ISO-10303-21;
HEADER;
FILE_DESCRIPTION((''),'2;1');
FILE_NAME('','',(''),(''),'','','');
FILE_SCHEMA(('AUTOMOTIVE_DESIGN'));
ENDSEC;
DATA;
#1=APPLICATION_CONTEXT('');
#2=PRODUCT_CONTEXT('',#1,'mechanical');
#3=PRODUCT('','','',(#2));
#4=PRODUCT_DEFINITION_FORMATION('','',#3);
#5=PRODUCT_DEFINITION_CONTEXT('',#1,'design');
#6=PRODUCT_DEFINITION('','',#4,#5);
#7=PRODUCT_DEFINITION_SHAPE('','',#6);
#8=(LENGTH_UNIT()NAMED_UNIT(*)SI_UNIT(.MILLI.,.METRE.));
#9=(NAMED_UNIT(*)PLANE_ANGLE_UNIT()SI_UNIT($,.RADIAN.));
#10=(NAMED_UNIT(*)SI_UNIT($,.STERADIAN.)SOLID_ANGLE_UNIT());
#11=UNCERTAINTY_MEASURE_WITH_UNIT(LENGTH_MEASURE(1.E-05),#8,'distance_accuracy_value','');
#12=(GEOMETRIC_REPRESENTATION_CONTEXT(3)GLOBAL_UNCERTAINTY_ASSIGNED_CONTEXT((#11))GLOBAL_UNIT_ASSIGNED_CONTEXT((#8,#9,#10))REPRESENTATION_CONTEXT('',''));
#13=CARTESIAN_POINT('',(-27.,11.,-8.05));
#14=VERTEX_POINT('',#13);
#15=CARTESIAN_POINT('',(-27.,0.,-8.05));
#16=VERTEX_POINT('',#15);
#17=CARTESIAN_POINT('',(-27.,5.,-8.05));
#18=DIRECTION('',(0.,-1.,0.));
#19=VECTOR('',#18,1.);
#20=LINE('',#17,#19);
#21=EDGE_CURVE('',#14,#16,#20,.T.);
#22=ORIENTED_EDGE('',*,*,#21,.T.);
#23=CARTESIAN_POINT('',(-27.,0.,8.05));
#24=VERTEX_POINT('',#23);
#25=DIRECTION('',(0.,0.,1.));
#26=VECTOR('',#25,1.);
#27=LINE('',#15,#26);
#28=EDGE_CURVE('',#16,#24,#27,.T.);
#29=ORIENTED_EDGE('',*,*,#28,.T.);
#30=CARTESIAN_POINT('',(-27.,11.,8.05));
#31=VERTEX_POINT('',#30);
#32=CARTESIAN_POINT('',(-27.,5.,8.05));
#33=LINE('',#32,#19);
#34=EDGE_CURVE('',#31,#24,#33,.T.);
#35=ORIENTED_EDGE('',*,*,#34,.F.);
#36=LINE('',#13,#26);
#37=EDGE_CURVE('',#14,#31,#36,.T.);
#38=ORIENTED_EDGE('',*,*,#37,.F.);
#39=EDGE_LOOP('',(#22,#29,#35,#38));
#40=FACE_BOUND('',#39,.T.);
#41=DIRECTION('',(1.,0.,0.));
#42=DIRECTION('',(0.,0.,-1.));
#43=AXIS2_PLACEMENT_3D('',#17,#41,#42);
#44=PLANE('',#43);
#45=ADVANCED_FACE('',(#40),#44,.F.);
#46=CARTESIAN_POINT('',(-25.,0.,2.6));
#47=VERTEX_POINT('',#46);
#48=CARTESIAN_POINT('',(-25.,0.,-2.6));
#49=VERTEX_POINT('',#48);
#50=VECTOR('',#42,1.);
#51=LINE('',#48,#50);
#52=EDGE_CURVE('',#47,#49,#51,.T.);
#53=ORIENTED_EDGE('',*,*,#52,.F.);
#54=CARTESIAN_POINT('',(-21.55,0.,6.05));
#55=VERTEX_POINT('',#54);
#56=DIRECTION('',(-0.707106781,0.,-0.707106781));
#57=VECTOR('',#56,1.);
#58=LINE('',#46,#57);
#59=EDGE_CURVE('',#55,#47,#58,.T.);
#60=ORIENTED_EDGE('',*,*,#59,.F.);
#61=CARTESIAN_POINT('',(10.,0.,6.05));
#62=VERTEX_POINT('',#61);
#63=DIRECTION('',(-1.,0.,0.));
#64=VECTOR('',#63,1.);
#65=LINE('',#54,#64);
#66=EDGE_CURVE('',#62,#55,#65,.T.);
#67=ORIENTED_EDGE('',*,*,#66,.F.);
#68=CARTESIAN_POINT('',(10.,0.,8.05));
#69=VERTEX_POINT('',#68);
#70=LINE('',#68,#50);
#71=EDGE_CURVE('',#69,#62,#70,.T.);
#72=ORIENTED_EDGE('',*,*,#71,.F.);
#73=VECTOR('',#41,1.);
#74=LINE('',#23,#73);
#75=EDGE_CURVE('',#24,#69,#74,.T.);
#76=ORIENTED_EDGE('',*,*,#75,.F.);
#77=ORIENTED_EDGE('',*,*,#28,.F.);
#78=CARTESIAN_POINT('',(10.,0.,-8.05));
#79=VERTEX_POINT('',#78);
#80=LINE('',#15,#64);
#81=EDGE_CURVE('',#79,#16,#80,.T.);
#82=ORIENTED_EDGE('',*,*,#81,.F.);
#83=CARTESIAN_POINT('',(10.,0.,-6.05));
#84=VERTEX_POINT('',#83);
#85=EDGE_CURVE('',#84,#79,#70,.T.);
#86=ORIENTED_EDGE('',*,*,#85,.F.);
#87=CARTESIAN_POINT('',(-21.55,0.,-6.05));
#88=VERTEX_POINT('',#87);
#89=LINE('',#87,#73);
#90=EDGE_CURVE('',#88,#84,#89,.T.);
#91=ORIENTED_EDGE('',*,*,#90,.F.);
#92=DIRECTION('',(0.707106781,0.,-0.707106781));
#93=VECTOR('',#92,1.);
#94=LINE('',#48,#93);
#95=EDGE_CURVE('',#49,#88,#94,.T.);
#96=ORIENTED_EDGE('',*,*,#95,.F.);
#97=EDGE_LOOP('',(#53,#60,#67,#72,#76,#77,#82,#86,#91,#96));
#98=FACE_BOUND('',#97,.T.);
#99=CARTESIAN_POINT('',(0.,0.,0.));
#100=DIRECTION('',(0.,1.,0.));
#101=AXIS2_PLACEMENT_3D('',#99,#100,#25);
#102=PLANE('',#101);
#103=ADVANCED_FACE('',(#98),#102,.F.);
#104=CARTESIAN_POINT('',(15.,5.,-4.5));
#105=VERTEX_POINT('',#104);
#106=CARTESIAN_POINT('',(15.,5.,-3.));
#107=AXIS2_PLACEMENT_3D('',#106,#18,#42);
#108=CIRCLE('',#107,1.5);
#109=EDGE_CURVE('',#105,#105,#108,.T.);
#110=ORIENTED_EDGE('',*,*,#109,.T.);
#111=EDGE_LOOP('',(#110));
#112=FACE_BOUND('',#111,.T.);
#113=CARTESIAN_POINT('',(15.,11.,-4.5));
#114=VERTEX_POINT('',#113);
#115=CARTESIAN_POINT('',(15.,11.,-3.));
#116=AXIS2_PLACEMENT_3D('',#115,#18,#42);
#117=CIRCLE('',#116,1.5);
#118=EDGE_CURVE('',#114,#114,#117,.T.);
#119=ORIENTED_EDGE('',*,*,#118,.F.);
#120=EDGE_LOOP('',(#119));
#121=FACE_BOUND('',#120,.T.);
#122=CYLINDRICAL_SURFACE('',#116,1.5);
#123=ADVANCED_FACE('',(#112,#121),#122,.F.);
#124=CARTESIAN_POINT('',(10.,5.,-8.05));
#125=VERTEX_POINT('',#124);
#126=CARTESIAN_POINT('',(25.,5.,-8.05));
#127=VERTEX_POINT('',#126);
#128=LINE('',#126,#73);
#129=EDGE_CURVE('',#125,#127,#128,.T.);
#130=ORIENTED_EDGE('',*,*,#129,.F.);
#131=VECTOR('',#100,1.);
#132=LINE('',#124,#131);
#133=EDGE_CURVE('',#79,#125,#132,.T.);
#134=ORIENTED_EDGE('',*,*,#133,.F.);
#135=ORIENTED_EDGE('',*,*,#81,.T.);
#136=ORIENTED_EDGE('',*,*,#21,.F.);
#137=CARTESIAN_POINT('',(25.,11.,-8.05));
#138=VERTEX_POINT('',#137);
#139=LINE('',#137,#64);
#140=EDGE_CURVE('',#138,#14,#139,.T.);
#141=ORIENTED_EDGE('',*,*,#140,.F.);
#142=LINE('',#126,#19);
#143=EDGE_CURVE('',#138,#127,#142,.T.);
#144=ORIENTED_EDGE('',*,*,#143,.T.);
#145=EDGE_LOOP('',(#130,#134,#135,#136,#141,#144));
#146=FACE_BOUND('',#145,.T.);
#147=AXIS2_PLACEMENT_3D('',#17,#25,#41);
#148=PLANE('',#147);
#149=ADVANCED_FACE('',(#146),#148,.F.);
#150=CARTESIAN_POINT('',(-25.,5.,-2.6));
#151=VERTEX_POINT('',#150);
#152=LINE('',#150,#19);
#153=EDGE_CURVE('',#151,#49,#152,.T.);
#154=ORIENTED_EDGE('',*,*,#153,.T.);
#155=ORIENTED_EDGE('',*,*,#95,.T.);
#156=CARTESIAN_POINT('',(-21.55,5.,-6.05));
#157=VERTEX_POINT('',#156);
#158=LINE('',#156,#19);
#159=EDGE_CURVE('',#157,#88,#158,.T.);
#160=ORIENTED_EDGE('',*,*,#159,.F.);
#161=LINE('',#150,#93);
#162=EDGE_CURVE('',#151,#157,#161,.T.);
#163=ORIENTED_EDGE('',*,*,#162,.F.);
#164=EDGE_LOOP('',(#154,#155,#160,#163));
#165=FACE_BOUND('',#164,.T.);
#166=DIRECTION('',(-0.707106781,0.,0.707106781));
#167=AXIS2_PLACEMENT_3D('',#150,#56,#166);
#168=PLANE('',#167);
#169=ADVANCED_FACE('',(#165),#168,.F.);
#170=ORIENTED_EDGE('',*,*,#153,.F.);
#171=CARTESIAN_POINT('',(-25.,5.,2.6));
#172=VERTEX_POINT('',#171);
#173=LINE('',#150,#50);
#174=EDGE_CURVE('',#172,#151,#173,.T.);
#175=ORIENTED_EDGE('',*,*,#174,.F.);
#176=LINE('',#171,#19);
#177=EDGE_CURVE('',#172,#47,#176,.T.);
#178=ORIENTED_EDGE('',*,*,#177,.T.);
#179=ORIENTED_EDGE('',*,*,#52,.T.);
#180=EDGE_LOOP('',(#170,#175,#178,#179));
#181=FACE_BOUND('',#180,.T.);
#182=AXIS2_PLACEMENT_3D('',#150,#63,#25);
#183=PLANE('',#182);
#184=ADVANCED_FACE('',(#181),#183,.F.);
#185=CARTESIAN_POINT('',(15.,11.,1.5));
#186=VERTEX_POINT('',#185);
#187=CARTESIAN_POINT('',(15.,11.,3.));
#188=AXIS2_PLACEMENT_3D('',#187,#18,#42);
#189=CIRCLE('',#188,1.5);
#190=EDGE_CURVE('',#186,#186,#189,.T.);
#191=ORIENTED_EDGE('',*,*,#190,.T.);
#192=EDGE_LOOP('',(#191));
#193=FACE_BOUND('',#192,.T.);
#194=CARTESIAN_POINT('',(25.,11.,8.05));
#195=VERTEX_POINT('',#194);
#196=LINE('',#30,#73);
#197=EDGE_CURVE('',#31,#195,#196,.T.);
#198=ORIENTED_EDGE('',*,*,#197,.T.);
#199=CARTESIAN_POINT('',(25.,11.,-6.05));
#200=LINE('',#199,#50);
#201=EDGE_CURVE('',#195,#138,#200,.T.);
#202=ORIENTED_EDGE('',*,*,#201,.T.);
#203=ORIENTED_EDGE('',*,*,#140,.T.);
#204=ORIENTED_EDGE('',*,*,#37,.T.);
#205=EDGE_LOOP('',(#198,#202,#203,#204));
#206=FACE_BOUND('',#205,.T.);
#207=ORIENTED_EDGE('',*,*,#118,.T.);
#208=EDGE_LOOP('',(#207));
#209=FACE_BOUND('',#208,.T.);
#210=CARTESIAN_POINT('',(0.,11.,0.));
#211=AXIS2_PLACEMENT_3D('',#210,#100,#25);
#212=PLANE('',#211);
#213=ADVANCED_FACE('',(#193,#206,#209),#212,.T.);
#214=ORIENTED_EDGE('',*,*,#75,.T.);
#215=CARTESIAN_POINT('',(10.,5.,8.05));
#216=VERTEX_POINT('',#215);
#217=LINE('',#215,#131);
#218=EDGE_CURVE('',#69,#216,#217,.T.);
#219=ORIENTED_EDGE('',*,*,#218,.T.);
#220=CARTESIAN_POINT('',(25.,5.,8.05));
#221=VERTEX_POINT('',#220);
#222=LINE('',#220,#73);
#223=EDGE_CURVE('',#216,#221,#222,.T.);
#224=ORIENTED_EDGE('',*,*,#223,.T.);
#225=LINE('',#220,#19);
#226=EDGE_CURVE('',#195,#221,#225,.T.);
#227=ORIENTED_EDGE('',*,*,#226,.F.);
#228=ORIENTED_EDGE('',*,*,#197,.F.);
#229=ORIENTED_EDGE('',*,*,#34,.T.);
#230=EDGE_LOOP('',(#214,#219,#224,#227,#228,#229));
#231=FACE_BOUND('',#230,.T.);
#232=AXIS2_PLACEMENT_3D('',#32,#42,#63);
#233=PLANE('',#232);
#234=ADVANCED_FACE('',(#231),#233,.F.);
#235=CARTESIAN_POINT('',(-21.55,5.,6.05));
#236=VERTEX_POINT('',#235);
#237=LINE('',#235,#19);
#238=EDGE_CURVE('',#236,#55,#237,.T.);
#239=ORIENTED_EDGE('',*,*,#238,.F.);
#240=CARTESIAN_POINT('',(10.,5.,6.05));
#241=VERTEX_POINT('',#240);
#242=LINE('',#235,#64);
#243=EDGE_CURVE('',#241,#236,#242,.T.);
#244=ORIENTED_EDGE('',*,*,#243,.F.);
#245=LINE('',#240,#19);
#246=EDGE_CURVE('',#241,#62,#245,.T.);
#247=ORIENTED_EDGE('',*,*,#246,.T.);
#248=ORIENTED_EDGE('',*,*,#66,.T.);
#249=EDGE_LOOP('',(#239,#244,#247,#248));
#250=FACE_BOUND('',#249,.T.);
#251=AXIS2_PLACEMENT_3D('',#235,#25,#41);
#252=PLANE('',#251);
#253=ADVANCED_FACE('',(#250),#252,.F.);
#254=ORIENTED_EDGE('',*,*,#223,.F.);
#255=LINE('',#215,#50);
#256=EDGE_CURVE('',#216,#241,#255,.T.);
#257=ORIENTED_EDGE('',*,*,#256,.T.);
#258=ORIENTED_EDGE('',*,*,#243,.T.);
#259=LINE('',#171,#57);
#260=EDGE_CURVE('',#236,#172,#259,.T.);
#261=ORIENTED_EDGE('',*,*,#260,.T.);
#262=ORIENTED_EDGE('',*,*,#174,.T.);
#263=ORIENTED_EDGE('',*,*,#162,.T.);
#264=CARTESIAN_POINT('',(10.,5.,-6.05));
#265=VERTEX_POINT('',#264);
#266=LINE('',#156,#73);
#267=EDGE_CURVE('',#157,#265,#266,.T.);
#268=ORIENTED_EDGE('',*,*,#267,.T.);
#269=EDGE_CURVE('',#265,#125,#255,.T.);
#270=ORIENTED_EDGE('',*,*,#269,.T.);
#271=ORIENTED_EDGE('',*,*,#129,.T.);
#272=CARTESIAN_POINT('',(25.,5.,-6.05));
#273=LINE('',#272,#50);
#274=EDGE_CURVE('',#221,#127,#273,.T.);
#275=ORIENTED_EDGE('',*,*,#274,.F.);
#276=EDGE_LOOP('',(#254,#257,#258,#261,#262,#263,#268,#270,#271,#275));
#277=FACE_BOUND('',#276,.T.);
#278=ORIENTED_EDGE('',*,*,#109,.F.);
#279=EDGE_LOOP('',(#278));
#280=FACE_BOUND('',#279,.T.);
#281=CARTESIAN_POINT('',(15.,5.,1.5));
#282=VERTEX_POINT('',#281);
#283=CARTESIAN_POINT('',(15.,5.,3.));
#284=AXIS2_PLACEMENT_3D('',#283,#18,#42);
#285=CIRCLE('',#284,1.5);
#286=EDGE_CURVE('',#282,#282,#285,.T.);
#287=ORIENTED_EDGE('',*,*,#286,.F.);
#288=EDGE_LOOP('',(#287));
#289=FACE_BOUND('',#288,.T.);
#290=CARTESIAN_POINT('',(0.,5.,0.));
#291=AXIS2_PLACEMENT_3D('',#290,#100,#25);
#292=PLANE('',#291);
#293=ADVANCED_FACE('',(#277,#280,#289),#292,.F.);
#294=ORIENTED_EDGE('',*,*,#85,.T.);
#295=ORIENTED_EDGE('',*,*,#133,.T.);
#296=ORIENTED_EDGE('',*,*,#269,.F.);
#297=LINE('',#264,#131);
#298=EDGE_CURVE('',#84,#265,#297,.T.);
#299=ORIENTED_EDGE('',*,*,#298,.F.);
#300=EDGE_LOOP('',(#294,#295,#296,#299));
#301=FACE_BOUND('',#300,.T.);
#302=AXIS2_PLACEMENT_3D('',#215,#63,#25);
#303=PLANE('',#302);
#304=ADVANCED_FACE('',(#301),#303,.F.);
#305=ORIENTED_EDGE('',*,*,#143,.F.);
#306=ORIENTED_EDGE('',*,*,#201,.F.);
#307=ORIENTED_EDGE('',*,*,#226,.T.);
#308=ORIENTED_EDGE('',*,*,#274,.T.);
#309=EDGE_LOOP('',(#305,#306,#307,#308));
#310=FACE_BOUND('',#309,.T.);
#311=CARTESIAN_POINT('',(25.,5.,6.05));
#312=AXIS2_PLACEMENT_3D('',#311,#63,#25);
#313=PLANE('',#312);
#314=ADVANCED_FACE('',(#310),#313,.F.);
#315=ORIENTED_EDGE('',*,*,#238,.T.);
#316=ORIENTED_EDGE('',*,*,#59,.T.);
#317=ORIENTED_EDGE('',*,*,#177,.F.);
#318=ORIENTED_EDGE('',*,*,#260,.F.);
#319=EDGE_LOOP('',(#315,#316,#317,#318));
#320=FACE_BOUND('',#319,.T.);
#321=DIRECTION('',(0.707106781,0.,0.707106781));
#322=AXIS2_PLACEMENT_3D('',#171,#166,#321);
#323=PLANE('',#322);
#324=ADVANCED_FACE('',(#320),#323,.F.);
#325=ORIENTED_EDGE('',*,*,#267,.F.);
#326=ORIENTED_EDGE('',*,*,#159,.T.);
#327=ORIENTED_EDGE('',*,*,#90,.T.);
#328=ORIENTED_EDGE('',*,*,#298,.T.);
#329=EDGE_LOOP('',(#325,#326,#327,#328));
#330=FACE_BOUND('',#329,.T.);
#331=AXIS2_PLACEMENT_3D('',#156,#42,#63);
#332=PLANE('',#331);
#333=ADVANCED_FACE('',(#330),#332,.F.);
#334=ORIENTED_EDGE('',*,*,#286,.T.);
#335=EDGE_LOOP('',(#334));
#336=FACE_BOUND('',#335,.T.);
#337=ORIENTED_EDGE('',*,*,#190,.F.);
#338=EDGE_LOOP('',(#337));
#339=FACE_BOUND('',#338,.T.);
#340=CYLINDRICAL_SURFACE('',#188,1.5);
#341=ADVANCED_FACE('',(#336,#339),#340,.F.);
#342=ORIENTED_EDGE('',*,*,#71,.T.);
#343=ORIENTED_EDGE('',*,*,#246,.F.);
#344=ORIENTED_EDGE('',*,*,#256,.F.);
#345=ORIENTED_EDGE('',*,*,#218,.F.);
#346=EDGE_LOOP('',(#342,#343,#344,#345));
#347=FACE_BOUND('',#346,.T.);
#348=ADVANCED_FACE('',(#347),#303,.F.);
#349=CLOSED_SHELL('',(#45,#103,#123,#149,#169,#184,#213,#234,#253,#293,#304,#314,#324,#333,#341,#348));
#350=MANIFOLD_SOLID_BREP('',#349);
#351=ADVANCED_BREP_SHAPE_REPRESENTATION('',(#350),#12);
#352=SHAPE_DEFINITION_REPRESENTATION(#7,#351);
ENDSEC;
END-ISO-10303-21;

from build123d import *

# Parameters (mm, degrees)
BOSS_EXTRUDE1_DEPTH     = 5
BOSS_EXTRUDE2_DEPTH     = 6
SKETCH4_R               = 1.5
CUT_EXTRUDE1_DEPTH      = 29.806292715
CUT_EXTRUDE2_DEPTH      = 33.385336188
CUT_EXTRUDE2_DEPTH_BACK = 33.385336188
SKETCH5_W               = 15
SKETCH5_H               = 5


with BuildPart() as part:
    # Sketch2 → Boss-Extrude1 (new body)
    with BuildSketch(Plane(origin=(0, 0, 0), x_dir=(1, 0, 0), z_dir=(0, 1, 0))):
        Polygon((-27, 8.05), (25, 8.05), (25, 6.05), (-21.55, 6.05), (-25, 2.6), (-25, -2.6), (-21.55, -6.05), (25, -6.05), (25, -8.05), (-27, -8.05), align=None)
    extrude(amount=BOSS_EXTRUDE1_DEPTH)

    # Sketch3 → Boss-Extrude2 (add)
    with BuildSketch(Plane(origin=(0, 5, 0), x_dir=(1, 0, 0), z_dir=(0, 1, 0))):
        Polygon((25, 6.05), (25, -6.05), (25, -8.05), (-27, -8.05), (-27, 8.05), (25, 8.05), align=None)
    extrude(amount=BOSS_EXTRUDE2_DEPTH)

    # Sketch4 → Cut-Extrude1 (cut, through all)
    with BuildSketch(Plane.XZ.offset(-5)):
        with Locations(Location((15, 3, 0), (0, 0, 270))):
            Circle(SKETCH4_R)
        with Locations(Location((15, -3, 0), (0, 0, 270))):
            Circle(SKETCH4_R)
    extrude(amount=-CUT_EXTRUDE1_DEPTH, mode=Mode.SUBTRACT)

    # Sketch5 → Cut-Extrude2 (cut, two sides: drawn at the far end of the back side and taken through both)
    with BuildSketch(Plane(origin=(0, 0, 6.05), x_dir=(-1, 0, 0), z_dir=(0, 0, -1)).offset(-CUT_EXTRUDE2_DEPTH_BACK)):
        with Locations((-17.5, 2.5)):
            Rectangle(SKETCH5_W, SKETCH5_H)
    extrude(amount=CUT_EXTRUDE2_DEPTH + CUT_EXTRUDE2_DEPTH_BACK, mode=Mode.SUBTRACT)


solid = part.part
